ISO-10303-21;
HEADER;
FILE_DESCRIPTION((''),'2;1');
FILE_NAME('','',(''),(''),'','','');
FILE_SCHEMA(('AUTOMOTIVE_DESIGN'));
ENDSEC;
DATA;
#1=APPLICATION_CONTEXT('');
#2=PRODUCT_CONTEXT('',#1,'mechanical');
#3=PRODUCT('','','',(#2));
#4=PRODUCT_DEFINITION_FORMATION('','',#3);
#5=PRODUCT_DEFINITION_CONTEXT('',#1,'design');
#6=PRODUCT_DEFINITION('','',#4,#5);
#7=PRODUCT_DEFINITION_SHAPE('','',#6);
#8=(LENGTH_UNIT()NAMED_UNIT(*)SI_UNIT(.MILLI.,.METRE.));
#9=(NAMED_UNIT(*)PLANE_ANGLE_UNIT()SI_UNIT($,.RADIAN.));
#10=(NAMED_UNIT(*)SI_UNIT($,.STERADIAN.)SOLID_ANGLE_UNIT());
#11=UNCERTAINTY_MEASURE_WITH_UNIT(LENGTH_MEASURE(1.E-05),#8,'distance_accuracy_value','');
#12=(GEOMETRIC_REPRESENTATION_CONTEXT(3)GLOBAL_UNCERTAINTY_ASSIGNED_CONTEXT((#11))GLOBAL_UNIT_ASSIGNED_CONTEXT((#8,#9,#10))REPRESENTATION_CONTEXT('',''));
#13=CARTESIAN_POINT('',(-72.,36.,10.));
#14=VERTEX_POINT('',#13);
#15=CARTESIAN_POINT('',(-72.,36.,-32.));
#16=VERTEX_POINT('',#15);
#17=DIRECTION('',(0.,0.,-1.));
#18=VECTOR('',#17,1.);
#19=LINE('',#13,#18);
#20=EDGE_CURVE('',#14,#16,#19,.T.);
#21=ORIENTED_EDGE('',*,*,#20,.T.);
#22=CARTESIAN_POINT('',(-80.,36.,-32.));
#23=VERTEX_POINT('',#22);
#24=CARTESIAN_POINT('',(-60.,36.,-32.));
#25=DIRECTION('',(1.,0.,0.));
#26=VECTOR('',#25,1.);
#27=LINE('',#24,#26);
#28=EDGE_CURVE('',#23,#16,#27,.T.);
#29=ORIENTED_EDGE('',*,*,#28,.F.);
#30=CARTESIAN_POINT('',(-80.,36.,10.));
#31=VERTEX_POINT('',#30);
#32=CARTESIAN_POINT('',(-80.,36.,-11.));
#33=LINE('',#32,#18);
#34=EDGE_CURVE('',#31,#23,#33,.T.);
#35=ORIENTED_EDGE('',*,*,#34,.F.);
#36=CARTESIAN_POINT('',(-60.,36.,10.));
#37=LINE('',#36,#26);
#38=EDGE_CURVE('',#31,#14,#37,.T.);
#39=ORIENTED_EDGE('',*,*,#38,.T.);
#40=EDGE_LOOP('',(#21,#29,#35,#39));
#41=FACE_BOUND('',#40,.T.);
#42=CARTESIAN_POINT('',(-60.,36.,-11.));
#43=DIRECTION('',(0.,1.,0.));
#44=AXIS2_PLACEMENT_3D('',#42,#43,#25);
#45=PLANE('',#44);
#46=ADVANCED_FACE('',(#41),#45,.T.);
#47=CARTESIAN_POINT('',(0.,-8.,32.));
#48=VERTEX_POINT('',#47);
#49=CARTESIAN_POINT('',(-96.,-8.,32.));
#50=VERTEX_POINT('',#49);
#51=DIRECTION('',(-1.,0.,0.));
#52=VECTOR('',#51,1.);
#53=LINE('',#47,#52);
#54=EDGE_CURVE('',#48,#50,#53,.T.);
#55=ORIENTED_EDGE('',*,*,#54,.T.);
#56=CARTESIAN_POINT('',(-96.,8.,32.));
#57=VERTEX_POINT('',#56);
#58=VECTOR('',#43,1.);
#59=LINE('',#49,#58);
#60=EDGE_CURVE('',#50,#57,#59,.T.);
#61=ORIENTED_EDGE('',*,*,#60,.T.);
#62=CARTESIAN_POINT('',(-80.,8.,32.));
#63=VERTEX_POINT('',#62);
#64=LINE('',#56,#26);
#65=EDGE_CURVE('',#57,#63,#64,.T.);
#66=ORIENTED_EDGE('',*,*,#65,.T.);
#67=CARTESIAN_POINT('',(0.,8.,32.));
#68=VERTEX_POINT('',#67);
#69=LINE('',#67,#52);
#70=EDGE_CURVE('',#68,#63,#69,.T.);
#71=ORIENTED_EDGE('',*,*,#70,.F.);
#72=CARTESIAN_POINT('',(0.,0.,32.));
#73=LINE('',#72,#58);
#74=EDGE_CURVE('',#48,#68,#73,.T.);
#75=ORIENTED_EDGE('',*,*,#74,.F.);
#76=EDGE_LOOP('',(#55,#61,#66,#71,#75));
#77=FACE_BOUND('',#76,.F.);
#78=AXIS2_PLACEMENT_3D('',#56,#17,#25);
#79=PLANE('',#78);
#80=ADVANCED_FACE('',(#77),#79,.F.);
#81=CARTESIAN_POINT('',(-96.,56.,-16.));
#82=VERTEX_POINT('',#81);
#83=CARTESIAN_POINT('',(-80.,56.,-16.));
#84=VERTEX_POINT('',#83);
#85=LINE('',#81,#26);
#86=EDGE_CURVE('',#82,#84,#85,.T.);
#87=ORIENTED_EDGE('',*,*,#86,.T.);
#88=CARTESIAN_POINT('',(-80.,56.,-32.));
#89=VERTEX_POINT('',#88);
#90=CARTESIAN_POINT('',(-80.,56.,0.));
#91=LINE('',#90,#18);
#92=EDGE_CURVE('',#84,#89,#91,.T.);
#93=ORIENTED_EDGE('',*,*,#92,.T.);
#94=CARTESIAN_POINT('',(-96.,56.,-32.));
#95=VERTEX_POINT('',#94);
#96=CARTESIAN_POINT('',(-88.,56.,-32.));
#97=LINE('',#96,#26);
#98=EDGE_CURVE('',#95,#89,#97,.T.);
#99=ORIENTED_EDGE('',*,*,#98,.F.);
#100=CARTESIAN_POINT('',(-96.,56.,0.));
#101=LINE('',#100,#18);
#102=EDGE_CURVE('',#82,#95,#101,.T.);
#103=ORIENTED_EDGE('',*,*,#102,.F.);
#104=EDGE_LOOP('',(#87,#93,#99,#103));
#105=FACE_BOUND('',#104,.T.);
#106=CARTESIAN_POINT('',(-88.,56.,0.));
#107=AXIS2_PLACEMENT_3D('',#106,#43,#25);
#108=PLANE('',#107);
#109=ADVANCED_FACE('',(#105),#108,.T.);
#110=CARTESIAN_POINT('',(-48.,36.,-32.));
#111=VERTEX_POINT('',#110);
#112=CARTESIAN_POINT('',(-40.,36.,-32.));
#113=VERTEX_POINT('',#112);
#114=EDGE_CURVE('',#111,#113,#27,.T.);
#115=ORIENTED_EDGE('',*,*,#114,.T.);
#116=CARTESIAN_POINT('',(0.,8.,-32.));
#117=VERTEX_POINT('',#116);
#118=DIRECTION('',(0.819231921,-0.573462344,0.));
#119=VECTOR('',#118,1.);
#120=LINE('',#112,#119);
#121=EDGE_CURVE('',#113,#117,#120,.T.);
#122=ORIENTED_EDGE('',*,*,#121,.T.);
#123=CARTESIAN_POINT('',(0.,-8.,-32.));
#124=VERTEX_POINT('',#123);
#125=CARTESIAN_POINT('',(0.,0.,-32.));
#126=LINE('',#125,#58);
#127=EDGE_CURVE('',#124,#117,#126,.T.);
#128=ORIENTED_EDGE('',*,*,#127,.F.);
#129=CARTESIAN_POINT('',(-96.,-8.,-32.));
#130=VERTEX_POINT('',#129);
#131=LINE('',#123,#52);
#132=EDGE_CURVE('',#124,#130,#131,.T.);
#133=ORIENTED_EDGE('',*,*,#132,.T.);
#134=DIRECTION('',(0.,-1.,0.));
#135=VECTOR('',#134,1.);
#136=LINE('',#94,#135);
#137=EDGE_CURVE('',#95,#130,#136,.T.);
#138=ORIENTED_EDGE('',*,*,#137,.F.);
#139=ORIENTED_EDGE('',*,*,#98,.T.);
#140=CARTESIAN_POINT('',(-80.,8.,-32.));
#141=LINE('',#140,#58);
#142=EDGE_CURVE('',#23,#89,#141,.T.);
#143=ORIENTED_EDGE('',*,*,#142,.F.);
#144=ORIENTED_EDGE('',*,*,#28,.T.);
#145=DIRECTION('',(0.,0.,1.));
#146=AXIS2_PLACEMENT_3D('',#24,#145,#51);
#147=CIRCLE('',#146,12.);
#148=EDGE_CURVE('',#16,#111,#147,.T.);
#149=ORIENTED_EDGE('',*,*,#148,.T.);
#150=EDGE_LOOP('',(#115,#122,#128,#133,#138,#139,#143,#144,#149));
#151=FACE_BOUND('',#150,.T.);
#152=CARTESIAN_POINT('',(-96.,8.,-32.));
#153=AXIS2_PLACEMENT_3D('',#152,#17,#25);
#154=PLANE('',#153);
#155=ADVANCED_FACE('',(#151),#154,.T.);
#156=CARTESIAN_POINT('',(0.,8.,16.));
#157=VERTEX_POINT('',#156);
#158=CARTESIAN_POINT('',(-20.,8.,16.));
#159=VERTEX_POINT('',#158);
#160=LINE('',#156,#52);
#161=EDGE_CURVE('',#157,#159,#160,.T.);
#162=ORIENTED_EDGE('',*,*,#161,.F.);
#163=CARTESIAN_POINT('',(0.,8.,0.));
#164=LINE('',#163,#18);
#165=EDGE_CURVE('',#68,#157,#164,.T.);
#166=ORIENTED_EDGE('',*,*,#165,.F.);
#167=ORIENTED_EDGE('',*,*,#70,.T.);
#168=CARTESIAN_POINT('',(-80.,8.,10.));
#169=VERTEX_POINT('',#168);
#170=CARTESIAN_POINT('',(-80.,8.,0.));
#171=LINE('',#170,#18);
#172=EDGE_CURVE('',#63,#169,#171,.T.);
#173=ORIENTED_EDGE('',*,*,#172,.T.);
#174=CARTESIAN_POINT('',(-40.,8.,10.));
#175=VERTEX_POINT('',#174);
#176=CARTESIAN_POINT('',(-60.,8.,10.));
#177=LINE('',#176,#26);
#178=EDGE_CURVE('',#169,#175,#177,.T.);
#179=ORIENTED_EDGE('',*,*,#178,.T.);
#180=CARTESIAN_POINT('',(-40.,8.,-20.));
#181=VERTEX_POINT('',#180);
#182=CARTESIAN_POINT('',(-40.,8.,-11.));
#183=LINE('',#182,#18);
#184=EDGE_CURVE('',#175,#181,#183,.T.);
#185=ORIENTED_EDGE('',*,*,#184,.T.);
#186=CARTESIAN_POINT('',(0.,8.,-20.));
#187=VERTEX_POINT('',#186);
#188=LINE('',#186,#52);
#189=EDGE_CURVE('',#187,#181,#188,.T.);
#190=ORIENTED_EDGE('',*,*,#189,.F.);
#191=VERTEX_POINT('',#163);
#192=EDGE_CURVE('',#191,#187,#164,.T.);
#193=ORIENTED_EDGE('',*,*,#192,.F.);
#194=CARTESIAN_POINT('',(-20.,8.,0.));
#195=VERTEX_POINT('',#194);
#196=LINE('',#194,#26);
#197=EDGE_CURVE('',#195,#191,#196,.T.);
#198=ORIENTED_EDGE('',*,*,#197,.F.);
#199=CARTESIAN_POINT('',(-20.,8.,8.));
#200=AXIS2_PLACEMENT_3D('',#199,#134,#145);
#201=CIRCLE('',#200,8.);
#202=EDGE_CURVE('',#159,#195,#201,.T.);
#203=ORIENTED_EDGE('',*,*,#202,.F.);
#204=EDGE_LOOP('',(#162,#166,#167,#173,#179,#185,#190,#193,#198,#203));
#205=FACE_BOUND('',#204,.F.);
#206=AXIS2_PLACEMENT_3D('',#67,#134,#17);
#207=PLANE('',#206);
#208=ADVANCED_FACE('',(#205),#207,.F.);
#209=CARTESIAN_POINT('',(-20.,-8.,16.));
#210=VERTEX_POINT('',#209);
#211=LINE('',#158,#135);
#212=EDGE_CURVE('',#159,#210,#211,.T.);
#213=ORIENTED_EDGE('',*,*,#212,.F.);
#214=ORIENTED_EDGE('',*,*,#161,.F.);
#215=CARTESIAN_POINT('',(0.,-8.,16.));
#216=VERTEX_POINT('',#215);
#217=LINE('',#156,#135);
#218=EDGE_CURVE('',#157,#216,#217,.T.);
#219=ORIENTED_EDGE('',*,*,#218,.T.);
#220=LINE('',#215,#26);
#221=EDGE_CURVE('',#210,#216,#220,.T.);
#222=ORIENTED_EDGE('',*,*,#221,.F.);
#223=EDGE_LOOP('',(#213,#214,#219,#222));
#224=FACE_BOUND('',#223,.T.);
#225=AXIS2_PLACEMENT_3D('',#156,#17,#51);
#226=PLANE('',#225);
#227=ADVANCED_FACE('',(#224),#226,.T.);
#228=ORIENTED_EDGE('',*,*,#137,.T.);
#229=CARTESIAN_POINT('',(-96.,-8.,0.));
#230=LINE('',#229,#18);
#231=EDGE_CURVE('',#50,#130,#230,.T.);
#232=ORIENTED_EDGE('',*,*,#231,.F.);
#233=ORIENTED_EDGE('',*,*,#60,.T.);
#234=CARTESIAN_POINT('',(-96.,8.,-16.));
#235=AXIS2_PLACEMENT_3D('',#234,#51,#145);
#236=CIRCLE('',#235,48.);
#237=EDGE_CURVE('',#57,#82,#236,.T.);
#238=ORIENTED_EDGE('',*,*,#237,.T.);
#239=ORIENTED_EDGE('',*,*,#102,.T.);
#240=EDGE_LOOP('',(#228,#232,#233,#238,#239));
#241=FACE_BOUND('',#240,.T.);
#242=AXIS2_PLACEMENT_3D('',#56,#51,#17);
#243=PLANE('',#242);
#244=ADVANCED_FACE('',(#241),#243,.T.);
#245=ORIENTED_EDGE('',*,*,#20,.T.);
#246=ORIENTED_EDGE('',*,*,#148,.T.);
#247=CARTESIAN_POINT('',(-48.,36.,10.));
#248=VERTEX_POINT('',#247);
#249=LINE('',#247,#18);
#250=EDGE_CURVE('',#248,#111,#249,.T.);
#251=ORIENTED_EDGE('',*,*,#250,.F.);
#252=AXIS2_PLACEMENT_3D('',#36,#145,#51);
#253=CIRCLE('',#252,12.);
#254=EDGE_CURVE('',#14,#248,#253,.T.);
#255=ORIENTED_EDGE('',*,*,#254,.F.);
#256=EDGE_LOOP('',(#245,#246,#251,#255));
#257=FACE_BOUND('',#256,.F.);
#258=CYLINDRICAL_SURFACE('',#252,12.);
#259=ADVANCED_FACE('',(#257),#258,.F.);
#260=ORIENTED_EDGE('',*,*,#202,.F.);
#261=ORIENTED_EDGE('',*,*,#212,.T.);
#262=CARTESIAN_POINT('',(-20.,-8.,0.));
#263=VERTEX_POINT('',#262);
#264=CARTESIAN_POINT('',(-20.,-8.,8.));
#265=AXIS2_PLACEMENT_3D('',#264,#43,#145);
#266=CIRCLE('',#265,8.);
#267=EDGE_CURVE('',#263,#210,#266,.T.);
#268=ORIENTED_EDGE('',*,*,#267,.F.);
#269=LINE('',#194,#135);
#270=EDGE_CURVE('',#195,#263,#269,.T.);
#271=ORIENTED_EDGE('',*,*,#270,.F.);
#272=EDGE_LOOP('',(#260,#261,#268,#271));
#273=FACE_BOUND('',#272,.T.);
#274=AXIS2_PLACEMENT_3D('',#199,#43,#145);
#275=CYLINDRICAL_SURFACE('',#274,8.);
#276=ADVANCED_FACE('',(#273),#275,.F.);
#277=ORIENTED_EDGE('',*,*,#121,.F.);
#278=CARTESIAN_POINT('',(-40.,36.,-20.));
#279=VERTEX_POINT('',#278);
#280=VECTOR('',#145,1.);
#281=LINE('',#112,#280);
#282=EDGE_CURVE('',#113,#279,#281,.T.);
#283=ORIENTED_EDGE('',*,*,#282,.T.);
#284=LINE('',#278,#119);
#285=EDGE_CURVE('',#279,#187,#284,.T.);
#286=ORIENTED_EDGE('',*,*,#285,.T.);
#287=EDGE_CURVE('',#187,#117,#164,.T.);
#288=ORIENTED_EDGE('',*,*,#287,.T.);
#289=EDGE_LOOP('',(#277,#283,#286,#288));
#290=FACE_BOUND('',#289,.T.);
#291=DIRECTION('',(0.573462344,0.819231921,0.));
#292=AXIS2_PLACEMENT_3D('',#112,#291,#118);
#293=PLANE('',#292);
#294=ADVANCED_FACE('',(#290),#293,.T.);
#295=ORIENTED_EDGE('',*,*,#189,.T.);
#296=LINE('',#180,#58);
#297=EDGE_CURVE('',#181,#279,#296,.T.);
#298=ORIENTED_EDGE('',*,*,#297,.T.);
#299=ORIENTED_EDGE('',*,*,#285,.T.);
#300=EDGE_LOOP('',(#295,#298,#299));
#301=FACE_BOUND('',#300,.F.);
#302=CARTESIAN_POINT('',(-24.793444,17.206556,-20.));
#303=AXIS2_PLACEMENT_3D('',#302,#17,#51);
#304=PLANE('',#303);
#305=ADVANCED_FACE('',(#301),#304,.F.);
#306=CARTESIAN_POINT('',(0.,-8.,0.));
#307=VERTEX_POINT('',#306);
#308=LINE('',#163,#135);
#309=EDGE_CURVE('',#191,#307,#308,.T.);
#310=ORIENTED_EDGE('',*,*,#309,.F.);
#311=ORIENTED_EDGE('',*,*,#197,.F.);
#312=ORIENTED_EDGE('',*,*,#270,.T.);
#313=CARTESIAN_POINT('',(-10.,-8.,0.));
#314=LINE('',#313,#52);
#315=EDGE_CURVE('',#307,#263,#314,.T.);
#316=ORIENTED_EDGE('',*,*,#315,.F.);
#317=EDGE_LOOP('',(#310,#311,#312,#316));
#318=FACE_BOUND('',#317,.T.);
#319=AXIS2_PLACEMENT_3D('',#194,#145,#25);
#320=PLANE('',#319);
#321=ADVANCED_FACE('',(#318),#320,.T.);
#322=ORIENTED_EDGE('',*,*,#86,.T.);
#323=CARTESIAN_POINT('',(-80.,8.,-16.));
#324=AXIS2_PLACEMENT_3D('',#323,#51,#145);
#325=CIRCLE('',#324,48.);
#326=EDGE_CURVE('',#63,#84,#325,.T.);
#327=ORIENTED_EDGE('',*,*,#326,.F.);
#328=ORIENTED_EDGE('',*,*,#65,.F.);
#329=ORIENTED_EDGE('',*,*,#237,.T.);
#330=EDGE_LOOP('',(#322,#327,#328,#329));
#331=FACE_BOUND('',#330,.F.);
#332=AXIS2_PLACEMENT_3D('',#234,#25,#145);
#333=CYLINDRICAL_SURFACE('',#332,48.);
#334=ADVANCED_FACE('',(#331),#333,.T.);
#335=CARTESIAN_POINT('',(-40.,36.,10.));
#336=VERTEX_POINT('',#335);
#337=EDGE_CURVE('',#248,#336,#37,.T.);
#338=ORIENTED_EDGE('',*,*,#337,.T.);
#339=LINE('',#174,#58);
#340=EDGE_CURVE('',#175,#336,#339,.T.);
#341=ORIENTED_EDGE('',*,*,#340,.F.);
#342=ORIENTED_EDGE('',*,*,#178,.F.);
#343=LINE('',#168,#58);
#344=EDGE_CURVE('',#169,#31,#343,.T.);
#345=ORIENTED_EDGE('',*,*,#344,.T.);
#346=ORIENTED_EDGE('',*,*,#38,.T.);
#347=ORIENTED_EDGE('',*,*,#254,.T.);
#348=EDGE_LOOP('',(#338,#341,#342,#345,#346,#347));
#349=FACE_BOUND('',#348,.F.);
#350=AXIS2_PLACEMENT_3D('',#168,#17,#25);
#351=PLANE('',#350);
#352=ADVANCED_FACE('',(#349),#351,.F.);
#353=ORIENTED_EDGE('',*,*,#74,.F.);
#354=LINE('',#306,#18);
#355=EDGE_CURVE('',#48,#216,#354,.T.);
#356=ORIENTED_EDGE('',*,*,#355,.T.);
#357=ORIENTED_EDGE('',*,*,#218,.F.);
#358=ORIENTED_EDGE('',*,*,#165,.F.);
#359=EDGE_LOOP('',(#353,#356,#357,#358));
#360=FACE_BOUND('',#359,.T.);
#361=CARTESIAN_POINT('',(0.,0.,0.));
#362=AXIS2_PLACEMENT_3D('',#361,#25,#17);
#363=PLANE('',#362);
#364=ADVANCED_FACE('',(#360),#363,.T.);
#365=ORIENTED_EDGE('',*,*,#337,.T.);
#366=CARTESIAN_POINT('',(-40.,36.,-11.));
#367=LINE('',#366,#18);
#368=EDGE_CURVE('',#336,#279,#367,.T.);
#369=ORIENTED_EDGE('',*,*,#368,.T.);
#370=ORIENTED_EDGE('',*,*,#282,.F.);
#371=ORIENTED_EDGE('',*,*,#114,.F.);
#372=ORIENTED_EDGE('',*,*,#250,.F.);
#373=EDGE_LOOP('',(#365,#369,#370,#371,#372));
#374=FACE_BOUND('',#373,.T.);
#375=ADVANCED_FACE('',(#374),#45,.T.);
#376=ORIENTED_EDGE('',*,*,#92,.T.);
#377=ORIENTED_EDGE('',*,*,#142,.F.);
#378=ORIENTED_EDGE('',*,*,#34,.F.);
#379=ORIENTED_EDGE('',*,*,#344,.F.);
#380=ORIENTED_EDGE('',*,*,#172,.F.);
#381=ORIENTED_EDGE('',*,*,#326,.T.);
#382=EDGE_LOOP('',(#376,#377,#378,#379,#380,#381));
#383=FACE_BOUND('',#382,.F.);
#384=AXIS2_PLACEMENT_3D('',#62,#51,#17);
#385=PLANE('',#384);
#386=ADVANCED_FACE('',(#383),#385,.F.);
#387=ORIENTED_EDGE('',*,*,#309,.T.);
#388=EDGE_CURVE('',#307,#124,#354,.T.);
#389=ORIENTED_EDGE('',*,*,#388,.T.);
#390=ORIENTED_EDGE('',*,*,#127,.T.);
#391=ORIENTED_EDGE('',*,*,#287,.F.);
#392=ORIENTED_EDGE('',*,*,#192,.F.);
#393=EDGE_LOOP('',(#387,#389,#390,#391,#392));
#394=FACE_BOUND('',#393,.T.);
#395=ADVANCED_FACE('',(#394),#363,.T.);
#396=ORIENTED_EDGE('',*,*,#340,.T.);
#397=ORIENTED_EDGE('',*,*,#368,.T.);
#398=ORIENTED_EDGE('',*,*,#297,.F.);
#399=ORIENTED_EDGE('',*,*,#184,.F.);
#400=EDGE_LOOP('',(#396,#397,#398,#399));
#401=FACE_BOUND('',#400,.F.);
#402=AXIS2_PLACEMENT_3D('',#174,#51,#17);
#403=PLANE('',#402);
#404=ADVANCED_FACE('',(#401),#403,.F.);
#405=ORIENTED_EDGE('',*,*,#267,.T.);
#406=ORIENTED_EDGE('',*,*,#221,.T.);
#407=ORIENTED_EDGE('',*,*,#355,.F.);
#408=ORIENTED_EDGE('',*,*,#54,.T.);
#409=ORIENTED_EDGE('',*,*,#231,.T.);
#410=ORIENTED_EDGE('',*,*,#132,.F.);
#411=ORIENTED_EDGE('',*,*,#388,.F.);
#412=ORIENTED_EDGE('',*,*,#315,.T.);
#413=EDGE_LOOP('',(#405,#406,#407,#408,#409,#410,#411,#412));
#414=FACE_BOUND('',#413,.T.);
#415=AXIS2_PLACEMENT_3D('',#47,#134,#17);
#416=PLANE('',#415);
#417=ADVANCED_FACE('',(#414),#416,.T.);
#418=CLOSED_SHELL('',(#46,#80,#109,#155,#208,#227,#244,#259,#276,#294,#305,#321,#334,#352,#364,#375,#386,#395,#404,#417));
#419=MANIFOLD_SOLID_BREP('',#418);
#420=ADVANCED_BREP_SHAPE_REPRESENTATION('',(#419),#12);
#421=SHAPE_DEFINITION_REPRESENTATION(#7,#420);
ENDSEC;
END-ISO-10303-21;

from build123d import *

# Parameters (mm, degrees)
SKETCH1_W           = 64
SKETCH1_H           = 16
BOSS_EXTRUDE1_DEPTH = 96
CUT_EXTRUDE1_DEPTH  = 17
BOSS_EXTRUDE2_DEPTH = 12
SKETCH5_W           = 40
SKETCH5_H           = 42
BOSS_EXTRUDE3_DEPTH = 28
SKETCH11_W          = 16
SKETCH11_H          = 64
BOSS_EXTRUDE6_DEPTH = 48
FILLET2_R           = 48
CUT_EXTRUDE4_DEPTH  = 43


with BuildPart() as part:
    # Sketch1 → Boss-Extrude1 (new body)
    with BuildSketch(Plane(origin=(0, 0, 0), x_dir=(0, 0, -1), z_dir=(1, 0, 0))):
        Rectangle(SKETCH1_W, SKETCH1_H)
    extrude(amount=-BOSS_EXTRUDE1_DEPTH)

    # Sketch3 → Cut-Extrude1 (cut, through all)
    with BuildSketch(Plane(origin=(0, 8, 0), x_dir=(1, 0, 0), z_dir=(0, 1, 0))):
        with BuildLine():
            Line((-20, 0), (0, 0))
            Line((0, 0), (0, -16))
            Line((0, -16), (-20, -16))
            ThreePointArc((-20, -16), (-28, -8), (-20, 0))
        make_face()
    extrude(amount=-CUT_EXTRUDE1_DEPTH, mode=Mode.SUBTRACT)

    # Sketch4 → Boss-Extrude2 (add)
    with BuildSketch(Plane(origin=(0, 0, -32), x_dir=(-1, 0, 0), z_dir=(0, 0, -1))):
        Polygon((0, 8), (40, 8), (40, 36), align=None)
    extrude(amount=-BOSS_EXTRUDE2_DEPTH)

    # Sketch5 → Boss-Extrude3 (add)
    with BuildSketch(Plane(origin=(0, 8, 0), x_dir=(1, 0, 0), z_dir=(0, 1, 0))):
        with Locations((-60, 11)):
            Rectangle(SKETCH5_W, SKETCH5_H)
    extrude(amount=BOSS_EXTRUDE3_DEPTH)

    # Sketch11 → Boss-Extrude6 (add)
    with BuildSketch(Plane(origin=(0, 8, 0), x_dir=(1, 0, 0), z_dir=(0, 1, 0))):
        with Locations((-88, 0)):
            Rectangle(SKETCH11_W, SKETCH11_H)
    extrude(amount=BOSS_EXTRUDE6_DEPTH)

    # Fillet2
    fillet2_edges = [part.edges().sort_by_distance(p)[0] for p in [
        (-88, 56, 32),
    ]]
    fillet(fillet2_edges, radius=FILLET2_R)

    # Sketch13 → Cut-Extrude4 (cut, through all)
    with BuildSketch(Plane.XY.offset(10)):
        with BuildLine():
            Line((-48, 36), (-72, 36))
            ThreePointArc((-72, 36), (-60, 24), (-48, 36))
        make_face()
    extrude(amount=-CUT_EXTRUDE4_DEPTH, mode=Mode.SUBTRACT)


solid = part.part
